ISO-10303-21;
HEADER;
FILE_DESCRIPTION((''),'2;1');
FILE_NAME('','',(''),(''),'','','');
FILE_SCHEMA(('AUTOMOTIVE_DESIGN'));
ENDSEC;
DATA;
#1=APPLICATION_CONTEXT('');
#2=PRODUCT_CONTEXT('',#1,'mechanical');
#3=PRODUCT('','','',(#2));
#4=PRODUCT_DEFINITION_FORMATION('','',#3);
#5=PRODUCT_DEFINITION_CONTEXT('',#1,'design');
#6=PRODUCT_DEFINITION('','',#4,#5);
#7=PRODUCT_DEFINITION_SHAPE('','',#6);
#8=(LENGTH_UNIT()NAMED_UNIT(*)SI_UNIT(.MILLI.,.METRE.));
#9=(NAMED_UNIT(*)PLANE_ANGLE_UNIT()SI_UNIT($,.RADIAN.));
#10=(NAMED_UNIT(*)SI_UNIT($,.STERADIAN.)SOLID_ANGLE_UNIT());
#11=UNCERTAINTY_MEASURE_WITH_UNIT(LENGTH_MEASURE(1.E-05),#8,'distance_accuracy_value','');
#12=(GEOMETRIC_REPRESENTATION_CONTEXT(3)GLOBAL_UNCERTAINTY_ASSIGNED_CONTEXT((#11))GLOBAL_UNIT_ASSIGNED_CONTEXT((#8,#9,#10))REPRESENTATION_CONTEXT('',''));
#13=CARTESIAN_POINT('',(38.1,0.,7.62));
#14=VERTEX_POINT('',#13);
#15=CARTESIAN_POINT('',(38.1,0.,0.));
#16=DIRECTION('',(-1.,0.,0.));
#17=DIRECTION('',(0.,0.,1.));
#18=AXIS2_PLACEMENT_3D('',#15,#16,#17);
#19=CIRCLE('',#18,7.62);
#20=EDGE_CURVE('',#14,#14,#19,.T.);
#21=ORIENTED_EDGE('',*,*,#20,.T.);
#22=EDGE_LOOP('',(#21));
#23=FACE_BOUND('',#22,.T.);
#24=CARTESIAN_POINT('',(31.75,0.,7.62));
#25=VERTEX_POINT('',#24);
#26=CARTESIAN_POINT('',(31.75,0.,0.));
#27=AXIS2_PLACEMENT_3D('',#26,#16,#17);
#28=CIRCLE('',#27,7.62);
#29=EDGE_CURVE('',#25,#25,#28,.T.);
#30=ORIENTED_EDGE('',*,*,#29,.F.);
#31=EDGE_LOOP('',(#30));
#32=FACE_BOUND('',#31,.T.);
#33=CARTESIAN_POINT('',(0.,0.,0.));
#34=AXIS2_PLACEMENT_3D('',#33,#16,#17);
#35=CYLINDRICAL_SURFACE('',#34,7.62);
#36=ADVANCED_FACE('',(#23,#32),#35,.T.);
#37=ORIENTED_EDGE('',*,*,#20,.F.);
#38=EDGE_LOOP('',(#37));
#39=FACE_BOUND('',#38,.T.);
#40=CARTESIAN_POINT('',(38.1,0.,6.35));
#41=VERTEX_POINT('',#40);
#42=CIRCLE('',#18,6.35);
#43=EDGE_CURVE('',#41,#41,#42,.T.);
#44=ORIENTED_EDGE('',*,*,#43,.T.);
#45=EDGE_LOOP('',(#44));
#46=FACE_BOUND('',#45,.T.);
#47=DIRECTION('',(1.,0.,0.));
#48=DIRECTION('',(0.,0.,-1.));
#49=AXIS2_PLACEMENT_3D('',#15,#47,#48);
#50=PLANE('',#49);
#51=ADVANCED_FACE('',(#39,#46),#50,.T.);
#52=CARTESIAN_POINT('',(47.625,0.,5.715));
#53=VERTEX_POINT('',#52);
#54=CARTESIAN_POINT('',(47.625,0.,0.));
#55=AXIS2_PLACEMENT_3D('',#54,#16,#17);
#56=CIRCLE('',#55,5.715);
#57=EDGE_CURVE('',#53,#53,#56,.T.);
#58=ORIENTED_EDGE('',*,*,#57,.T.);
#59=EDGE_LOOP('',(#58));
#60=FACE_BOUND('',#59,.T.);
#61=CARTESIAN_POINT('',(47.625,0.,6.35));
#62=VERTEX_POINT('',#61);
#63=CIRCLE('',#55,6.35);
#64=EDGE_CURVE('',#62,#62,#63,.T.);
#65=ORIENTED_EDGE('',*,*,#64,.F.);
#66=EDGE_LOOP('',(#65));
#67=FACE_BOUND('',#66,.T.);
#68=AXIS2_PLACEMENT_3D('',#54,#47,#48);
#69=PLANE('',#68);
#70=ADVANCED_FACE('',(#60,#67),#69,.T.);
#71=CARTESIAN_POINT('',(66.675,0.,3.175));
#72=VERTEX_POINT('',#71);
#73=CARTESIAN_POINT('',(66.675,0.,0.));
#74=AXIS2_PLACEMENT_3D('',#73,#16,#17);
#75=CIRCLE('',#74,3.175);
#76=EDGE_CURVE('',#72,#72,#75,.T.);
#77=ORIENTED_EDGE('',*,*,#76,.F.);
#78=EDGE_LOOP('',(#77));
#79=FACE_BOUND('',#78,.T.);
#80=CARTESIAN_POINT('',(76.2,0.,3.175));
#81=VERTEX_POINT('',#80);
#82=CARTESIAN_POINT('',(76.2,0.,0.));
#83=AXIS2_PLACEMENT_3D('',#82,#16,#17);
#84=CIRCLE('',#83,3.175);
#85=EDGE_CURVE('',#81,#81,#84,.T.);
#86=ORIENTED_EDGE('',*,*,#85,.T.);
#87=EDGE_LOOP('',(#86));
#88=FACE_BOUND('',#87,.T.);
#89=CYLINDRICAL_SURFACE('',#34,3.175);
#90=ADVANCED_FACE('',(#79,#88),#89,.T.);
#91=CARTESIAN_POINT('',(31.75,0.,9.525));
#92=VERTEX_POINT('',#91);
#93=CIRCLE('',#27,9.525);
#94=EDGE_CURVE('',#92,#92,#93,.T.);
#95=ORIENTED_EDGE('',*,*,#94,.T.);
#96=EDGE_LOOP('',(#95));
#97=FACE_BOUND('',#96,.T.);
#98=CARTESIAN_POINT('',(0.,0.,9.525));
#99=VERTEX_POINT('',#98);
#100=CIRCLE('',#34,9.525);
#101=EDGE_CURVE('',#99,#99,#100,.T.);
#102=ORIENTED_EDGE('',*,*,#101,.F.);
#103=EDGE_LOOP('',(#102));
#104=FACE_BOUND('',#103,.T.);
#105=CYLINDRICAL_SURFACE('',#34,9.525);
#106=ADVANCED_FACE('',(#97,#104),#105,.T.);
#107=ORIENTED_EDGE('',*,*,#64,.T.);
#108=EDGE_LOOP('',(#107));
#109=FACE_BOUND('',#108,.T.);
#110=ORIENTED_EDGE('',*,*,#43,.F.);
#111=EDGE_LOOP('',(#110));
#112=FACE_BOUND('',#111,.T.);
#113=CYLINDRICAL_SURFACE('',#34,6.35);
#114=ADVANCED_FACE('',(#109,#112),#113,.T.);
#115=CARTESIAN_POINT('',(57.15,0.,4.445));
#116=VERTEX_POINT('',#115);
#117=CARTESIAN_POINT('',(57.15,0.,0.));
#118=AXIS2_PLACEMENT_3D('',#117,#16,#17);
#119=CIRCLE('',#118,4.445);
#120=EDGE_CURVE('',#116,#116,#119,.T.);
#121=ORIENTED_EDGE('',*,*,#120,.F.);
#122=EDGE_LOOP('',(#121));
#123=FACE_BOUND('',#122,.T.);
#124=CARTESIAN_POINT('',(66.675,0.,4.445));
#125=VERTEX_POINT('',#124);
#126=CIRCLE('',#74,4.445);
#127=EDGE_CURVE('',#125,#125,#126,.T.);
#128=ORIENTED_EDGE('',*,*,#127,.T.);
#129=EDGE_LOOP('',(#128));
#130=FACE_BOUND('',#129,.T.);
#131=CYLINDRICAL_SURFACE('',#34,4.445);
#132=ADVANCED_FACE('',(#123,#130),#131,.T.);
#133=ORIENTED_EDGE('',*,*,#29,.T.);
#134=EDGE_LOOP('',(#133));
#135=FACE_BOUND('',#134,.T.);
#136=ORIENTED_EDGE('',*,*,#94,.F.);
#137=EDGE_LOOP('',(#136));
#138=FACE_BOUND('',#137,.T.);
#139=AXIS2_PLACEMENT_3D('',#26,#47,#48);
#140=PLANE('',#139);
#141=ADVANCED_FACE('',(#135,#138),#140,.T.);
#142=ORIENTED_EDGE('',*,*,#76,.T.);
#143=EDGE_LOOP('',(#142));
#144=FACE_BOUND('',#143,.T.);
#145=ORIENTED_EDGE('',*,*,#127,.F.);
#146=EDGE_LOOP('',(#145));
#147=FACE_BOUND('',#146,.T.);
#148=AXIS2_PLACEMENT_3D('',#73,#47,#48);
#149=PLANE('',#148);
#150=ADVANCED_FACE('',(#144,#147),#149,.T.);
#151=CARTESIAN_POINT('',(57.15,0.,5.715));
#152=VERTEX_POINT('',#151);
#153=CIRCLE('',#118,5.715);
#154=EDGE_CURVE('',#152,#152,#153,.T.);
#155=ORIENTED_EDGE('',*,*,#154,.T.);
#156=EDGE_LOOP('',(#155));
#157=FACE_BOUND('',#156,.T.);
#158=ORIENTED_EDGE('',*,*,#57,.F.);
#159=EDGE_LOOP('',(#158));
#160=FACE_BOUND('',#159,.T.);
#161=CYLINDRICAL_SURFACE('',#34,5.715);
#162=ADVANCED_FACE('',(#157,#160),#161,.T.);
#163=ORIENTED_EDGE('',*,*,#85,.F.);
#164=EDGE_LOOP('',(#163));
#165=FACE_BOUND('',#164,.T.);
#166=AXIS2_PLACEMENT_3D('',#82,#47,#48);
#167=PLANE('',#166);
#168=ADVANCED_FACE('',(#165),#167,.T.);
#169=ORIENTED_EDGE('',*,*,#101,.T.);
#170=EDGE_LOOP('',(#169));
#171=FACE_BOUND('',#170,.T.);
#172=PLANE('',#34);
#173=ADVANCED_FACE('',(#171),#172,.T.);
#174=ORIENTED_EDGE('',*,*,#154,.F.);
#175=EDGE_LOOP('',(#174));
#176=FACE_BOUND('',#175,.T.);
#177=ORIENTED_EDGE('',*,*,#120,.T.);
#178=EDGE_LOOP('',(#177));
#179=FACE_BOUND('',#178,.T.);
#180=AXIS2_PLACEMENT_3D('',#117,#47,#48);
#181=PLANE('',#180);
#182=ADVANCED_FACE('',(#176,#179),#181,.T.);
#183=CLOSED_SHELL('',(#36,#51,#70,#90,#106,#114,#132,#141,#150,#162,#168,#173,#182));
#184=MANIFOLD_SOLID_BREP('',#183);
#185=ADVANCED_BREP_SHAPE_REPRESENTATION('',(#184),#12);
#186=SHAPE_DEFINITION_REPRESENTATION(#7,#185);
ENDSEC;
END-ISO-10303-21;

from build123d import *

# Parameters (mm, degrees)
SKETCH1_W = 9.525
SKETCH1_H = 3.175


with BuildPart() as part:
    # Sketch1 → Revolve2 (revolve)
    with BuildSketch(Plane.XY, mode=Mode.PRIVATE) as revolve2_sk:
        Polygon((0, 9.525), (0, 0), (31.75, 0), (31.75, 7.62), (31.75, 9.525), align=None)
        Polygon((31.75, 7.62), (31.75, 0), (38.1, 0), (38.1, 6.35), (38.1, 7.62), align=None)
        Polygon((38.1, 6.35), (38.1, 0), (47.625, 0), (47.625, 5.715), (47.625, 6.35), align=None)
        Polygon((47.625, 5.715), (47.625, 0), (57.15, 0), (57.15, 4.445), (57.15, 5.715), align=None)
        Polygon((57.15, 4.445), (57.15, 0), (66.675, 0), (66.675, 3.175), (66.675, 4.445), align=None)
        with Locations((71.4375, 1.5875)):
            Rectangle(SKETCH1_W, SKETCH1_H)
    revolve(revolve2_sk.sketch.rotate(Axis((0, 0, 0), (1, 0, 0)), 90), axis=Axis((0, 0, 0), (1, 0, 0)))


solid = part.part
